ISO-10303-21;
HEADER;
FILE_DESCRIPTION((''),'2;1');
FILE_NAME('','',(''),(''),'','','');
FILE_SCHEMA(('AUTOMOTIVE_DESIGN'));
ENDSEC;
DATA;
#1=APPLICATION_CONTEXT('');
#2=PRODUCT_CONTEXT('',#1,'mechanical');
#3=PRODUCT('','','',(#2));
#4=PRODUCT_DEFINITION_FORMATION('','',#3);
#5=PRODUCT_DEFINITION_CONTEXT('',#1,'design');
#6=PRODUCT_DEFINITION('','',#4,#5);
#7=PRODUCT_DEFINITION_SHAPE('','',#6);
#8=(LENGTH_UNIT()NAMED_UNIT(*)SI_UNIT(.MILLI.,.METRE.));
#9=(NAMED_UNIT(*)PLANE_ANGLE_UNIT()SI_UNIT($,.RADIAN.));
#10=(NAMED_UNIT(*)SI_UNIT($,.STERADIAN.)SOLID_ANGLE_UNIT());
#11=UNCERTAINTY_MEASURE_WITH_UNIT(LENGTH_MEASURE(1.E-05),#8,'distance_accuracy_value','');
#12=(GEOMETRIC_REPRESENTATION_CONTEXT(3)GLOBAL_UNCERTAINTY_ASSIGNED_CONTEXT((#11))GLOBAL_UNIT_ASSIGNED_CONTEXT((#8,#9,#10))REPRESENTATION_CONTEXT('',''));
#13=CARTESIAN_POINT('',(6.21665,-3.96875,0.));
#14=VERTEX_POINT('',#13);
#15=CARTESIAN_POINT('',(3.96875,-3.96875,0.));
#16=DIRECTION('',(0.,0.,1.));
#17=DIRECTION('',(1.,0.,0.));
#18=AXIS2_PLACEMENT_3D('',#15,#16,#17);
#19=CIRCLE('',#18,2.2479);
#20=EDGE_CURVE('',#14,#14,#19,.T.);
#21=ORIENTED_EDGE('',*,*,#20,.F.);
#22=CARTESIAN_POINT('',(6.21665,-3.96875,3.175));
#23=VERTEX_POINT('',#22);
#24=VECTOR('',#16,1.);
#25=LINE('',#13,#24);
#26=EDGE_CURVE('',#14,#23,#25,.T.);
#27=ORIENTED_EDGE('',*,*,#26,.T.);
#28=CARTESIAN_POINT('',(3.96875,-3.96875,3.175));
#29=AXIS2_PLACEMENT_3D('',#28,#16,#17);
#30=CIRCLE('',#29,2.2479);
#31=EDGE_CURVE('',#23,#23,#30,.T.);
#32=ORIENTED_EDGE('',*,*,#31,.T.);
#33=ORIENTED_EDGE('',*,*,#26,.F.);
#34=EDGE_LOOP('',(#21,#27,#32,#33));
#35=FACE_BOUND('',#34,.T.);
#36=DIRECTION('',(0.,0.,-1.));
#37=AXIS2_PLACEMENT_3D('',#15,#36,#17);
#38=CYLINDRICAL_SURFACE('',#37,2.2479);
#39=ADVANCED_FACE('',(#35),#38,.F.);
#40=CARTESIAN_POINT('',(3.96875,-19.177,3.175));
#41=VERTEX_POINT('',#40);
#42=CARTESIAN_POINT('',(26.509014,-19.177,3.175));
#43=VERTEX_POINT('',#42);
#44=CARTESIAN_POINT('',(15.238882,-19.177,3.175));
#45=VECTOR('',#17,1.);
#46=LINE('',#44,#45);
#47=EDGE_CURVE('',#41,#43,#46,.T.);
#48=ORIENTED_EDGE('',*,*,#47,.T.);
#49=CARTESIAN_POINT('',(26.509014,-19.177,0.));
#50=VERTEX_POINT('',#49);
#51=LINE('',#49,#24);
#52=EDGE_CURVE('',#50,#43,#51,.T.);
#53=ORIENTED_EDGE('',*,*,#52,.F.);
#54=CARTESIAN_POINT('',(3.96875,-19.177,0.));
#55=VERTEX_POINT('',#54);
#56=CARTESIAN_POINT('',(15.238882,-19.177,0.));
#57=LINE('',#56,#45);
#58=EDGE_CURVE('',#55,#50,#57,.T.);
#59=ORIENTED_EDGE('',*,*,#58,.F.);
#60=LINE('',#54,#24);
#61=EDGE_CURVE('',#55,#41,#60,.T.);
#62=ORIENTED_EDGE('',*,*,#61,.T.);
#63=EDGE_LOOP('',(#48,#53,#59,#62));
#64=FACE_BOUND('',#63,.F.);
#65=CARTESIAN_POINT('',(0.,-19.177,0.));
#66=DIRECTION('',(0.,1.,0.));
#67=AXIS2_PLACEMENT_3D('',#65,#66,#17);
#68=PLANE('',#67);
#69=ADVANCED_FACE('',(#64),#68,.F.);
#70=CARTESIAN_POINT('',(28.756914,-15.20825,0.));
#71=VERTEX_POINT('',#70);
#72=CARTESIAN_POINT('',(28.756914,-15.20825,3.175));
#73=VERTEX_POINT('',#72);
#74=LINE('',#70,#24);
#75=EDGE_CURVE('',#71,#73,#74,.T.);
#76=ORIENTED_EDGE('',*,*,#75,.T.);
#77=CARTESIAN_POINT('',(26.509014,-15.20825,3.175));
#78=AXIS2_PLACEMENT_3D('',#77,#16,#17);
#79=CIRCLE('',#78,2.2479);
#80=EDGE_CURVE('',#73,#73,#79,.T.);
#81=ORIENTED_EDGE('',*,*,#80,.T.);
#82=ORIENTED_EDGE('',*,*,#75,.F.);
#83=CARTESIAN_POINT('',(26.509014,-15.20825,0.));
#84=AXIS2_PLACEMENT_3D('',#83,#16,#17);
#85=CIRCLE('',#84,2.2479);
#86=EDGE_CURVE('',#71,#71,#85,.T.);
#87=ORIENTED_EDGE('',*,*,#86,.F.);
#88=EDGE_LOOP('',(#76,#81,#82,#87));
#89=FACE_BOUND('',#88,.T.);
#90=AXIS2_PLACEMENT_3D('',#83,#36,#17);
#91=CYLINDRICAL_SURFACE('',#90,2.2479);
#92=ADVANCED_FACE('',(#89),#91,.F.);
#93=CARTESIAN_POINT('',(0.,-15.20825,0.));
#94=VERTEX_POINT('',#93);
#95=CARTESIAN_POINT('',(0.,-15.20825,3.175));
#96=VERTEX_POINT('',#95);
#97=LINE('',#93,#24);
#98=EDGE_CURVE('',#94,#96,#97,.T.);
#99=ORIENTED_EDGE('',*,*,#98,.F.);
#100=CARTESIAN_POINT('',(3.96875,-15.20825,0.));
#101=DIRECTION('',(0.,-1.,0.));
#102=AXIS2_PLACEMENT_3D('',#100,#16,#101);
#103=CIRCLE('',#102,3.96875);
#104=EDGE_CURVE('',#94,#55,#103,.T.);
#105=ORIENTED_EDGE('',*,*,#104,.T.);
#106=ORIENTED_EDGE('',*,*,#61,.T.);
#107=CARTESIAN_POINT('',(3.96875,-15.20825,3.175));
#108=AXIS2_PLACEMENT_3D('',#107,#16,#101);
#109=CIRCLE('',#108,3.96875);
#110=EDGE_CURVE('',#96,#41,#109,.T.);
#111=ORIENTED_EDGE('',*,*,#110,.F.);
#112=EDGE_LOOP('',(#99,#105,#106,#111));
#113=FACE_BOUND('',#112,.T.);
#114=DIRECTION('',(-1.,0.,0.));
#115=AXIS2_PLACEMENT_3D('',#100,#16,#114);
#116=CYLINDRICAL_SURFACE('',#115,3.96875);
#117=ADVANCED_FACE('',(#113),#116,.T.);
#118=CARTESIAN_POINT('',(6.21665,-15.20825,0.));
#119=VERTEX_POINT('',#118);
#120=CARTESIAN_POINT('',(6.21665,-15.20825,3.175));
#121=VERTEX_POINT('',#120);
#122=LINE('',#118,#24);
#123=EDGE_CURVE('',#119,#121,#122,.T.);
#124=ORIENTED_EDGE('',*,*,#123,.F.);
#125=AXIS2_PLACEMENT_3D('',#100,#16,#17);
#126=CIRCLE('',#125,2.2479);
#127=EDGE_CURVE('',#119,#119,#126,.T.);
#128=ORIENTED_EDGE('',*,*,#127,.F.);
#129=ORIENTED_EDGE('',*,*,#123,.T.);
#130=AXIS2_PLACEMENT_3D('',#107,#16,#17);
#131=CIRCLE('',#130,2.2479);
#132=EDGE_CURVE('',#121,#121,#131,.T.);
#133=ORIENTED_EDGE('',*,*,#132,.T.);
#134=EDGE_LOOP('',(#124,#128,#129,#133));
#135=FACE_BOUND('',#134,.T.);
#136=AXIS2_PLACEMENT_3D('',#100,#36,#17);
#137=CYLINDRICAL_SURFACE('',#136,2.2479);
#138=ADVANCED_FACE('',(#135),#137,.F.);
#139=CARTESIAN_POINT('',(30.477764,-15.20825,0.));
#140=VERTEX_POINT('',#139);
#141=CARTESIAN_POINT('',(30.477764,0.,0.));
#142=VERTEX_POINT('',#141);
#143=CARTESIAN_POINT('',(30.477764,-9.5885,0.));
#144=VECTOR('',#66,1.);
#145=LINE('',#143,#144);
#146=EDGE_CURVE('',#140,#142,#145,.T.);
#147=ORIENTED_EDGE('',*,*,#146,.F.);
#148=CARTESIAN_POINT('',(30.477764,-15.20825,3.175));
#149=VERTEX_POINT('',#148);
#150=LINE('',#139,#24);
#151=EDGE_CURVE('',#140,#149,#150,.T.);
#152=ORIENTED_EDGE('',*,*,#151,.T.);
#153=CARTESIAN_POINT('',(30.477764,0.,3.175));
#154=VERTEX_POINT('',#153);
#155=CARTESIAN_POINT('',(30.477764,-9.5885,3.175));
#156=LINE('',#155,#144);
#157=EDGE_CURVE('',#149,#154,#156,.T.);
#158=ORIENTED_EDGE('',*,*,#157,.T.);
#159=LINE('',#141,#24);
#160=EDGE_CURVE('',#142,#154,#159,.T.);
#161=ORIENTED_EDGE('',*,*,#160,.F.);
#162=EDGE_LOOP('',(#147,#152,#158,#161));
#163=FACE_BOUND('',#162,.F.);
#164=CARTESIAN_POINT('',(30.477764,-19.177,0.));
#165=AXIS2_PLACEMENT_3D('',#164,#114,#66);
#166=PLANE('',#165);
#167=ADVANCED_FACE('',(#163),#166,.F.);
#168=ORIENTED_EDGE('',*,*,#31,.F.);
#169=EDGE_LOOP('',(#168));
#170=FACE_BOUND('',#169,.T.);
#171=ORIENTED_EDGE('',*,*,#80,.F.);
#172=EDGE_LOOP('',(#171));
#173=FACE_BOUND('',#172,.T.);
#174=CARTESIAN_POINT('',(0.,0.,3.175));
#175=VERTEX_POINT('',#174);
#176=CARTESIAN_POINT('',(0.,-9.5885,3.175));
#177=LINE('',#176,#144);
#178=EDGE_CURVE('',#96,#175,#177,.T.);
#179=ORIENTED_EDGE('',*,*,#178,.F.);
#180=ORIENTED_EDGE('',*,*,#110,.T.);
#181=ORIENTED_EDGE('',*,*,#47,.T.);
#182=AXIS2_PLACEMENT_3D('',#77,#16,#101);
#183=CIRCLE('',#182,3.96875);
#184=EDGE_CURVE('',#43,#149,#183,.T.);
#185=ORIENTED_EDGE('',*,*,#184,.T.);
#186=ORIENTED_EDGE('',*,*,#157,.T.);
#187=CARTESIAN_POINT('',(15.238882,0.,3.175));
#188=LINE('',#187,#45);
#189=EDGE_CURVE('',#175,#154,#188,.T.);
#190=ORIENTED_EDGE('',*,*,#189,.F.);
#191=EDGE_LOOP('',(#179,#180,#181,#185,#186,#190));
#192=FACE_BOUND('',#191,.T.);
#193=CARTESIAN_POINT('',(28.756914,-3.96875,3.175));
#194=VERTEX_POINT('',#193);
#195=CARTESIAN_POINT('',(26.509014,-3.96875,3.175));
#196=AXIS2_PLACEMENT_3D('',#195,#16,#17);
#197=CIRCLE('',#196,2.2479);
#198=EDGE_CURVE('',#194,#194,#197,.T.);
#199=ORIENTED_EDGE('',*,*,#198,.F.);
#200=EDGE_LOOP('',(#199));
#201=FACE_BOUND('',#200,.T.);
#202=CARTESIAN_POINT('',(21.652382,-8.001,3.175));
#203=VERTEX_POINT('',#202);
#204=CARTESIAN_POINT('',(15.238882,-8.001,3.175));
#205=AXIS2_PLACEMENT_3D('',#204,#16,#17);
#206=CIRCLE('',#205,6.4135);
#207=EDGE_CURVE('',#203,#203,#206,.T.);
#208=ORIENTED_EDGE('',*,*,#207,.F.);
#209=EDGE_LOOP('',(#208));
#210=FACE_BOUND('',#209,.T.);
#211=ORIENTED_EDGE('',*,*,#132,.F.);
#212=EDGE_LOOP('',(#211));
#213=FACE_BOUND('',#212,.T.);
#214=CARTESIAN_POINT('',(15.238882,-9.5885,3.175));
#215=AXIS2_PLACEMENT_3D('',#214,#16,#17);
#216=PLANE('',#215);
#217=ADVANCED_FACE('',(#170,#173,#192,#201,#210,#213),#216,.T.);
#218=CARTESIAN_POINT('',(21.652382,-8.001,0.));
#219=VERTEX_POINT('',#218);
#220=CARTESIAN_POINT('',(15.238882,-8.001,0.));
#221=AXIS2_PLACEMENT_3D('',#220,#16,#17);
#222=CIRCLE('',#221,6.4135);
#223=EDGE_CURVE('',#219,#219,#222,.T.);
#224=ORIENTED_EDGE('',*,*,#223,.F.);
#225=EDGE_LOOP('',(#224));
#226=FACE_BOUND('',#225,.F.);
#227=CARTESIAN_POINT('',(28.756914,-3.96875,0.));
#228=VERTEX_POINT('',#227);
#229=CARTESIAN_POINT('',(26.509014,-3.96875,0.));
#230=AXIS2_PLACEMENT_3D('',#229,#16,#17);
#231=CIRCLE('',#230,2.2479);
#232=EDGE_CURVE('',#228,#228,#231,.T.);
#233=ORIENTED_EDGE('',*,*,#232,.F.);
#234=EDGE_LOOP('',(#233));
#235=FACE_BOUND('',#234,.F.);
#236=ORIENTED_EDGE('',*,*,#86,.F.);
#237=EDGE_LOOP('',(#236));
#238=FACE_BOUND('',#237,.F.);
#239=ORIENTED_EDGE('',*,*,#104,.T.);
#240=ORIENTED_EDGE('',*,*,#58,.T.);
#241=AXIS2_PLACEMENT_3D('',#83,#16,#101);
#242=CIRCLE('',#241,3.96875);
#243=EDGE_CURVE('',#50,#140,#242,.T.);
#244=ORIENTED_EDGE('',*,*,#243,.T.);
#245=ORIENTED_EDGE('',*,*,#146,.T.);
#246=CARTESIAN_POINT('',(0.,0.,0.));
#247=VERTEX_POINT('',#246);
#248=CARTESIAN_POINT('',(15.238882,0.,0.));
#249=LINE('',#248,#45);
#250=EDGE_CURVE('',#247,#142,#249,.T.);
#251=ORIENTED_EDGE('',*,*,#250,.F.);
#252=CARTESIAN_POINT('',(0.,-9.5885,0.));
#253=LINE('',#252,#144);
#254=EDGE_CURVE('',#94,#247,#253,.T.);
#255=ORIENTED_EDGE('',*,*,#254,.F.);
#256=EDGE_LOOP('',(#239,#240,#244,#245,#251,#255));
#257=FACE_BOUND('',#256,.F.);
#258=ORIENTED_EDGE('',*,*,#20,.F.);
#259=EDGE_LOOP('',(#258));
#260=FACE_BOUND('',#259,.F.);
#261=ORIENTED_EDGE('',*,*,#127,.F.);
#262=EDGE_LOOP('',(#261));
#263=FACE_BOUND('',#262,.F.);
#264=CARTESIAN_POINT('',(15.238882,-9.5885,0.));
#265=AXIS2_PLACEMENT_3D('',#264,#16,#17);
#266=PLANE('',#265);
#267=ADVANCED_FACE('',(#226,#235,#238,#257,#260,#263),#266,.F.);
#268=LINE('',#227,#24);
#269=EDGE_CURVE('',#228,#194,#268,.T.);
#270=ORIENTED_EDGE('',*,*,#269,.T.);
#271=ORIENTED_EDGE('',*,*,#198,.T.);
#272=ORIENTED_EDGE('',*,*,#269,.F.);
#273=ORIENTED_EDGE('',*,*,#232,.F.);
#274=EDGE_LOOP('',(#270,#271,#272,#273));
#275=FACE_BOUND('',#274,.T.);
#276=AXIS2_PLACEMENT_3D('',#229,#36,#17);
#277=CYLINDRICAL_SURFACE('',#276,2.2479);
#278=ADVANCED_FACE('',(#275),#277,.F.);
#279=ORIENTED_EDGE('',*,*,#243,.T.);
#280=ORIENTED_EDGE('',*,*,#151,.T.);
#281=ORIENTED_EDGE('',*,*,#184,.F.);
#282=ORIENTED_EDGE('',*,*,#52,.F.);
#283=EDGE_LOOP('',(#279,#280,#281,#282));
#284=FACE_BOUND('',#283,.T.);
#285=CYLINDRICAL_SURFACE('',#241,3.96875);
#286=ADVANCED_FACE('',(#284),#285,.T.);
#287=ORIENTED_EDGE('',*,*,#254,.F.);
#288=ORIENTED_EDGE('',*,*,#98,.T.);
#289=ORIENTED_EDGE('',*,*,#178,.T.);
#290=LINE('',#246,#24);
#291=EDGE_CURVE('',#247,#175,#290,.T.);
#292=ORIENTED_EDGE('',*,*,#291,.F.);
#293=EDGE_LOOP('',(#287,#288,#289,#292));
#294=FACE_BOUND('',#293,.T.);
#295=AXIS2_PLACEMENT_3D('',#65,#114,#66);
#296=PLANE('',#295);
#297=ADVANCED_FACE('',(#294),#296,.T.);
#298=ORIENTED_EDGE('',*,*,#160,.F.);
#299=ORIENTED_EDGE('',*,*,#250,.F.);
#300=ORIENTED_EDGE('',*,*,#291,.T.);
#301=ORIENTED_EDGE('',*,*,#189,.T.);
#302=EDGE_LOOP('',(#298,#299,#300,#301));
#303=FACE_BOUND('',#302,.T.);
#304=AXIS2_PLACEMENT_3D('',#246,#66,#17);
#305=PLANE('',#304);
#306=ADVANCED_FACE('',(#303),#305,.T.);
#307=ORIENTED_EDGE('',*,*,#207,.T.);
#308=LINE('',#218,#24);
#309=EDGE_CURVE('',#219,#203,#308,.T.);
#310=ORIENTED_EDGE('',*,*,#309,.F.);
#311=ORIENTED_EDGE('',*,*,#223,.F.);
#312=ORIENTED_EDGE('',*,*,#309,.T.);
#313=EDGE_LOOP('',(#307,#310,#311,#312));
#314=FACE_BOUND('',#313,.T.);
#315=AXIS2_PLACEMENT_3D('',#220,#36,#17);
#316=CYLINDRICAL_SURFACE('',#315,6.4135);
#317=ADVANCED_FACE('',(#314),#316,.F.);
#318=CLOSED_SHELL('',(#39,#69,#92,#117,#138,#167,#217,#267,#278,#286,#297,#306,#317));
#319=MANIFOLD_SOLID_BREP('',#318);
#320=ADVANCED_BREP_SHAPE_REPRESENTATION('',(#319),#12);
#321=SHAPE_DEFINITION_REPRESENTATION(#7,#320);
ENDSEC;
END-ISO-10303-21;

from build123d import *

# Parameters (mm, degrees)
F0_W     = 30.477764
F0_H     = 19.177
F0_R     = 2.2479
F0_R_2   = 6.4135
F1_DEPTH = 3.175
F2_R     = 3.96875


with BuildPart() as f1:
    # F0 (on Top) → F1 (new body)
    with BuildSketch(Plane.XY):
        with Locations((15.238882, -9.5885)):
            Rectangle(F0_W, F0_H)
        with Locations((3.96875, -15.20825)):
            Circle(F0_R, mode=Mode.SUBTRACT)
        with Locations((26.509014, -15.20825)):
            Circle(F0_R, mode=Mode.SUBTRACT)
        with Locations((3.96875, -3.96875)):
            Circle(F0_R, mode=Mode.SUBTRACT)
        with Locations((15.238882, -8.001)):
            Circle(F0_R_2, mode=Mode.SUBTRACT)
        with Locations((26.509014, -3.96875)):
            Circle(F0_R, mode=Mode.SUBTRACT)
    extrude(amount=F1_DEPTH)

    # F2
    f2_edges = [f1.edges().sort_by_distance(p)[0] for p in [
        (0, -19.177, 1.5875),
        (30.477764, -19.177, 1.5875),
    ]]
    fillet(f2_edges, radius=F2_R)


solid = f1.part
